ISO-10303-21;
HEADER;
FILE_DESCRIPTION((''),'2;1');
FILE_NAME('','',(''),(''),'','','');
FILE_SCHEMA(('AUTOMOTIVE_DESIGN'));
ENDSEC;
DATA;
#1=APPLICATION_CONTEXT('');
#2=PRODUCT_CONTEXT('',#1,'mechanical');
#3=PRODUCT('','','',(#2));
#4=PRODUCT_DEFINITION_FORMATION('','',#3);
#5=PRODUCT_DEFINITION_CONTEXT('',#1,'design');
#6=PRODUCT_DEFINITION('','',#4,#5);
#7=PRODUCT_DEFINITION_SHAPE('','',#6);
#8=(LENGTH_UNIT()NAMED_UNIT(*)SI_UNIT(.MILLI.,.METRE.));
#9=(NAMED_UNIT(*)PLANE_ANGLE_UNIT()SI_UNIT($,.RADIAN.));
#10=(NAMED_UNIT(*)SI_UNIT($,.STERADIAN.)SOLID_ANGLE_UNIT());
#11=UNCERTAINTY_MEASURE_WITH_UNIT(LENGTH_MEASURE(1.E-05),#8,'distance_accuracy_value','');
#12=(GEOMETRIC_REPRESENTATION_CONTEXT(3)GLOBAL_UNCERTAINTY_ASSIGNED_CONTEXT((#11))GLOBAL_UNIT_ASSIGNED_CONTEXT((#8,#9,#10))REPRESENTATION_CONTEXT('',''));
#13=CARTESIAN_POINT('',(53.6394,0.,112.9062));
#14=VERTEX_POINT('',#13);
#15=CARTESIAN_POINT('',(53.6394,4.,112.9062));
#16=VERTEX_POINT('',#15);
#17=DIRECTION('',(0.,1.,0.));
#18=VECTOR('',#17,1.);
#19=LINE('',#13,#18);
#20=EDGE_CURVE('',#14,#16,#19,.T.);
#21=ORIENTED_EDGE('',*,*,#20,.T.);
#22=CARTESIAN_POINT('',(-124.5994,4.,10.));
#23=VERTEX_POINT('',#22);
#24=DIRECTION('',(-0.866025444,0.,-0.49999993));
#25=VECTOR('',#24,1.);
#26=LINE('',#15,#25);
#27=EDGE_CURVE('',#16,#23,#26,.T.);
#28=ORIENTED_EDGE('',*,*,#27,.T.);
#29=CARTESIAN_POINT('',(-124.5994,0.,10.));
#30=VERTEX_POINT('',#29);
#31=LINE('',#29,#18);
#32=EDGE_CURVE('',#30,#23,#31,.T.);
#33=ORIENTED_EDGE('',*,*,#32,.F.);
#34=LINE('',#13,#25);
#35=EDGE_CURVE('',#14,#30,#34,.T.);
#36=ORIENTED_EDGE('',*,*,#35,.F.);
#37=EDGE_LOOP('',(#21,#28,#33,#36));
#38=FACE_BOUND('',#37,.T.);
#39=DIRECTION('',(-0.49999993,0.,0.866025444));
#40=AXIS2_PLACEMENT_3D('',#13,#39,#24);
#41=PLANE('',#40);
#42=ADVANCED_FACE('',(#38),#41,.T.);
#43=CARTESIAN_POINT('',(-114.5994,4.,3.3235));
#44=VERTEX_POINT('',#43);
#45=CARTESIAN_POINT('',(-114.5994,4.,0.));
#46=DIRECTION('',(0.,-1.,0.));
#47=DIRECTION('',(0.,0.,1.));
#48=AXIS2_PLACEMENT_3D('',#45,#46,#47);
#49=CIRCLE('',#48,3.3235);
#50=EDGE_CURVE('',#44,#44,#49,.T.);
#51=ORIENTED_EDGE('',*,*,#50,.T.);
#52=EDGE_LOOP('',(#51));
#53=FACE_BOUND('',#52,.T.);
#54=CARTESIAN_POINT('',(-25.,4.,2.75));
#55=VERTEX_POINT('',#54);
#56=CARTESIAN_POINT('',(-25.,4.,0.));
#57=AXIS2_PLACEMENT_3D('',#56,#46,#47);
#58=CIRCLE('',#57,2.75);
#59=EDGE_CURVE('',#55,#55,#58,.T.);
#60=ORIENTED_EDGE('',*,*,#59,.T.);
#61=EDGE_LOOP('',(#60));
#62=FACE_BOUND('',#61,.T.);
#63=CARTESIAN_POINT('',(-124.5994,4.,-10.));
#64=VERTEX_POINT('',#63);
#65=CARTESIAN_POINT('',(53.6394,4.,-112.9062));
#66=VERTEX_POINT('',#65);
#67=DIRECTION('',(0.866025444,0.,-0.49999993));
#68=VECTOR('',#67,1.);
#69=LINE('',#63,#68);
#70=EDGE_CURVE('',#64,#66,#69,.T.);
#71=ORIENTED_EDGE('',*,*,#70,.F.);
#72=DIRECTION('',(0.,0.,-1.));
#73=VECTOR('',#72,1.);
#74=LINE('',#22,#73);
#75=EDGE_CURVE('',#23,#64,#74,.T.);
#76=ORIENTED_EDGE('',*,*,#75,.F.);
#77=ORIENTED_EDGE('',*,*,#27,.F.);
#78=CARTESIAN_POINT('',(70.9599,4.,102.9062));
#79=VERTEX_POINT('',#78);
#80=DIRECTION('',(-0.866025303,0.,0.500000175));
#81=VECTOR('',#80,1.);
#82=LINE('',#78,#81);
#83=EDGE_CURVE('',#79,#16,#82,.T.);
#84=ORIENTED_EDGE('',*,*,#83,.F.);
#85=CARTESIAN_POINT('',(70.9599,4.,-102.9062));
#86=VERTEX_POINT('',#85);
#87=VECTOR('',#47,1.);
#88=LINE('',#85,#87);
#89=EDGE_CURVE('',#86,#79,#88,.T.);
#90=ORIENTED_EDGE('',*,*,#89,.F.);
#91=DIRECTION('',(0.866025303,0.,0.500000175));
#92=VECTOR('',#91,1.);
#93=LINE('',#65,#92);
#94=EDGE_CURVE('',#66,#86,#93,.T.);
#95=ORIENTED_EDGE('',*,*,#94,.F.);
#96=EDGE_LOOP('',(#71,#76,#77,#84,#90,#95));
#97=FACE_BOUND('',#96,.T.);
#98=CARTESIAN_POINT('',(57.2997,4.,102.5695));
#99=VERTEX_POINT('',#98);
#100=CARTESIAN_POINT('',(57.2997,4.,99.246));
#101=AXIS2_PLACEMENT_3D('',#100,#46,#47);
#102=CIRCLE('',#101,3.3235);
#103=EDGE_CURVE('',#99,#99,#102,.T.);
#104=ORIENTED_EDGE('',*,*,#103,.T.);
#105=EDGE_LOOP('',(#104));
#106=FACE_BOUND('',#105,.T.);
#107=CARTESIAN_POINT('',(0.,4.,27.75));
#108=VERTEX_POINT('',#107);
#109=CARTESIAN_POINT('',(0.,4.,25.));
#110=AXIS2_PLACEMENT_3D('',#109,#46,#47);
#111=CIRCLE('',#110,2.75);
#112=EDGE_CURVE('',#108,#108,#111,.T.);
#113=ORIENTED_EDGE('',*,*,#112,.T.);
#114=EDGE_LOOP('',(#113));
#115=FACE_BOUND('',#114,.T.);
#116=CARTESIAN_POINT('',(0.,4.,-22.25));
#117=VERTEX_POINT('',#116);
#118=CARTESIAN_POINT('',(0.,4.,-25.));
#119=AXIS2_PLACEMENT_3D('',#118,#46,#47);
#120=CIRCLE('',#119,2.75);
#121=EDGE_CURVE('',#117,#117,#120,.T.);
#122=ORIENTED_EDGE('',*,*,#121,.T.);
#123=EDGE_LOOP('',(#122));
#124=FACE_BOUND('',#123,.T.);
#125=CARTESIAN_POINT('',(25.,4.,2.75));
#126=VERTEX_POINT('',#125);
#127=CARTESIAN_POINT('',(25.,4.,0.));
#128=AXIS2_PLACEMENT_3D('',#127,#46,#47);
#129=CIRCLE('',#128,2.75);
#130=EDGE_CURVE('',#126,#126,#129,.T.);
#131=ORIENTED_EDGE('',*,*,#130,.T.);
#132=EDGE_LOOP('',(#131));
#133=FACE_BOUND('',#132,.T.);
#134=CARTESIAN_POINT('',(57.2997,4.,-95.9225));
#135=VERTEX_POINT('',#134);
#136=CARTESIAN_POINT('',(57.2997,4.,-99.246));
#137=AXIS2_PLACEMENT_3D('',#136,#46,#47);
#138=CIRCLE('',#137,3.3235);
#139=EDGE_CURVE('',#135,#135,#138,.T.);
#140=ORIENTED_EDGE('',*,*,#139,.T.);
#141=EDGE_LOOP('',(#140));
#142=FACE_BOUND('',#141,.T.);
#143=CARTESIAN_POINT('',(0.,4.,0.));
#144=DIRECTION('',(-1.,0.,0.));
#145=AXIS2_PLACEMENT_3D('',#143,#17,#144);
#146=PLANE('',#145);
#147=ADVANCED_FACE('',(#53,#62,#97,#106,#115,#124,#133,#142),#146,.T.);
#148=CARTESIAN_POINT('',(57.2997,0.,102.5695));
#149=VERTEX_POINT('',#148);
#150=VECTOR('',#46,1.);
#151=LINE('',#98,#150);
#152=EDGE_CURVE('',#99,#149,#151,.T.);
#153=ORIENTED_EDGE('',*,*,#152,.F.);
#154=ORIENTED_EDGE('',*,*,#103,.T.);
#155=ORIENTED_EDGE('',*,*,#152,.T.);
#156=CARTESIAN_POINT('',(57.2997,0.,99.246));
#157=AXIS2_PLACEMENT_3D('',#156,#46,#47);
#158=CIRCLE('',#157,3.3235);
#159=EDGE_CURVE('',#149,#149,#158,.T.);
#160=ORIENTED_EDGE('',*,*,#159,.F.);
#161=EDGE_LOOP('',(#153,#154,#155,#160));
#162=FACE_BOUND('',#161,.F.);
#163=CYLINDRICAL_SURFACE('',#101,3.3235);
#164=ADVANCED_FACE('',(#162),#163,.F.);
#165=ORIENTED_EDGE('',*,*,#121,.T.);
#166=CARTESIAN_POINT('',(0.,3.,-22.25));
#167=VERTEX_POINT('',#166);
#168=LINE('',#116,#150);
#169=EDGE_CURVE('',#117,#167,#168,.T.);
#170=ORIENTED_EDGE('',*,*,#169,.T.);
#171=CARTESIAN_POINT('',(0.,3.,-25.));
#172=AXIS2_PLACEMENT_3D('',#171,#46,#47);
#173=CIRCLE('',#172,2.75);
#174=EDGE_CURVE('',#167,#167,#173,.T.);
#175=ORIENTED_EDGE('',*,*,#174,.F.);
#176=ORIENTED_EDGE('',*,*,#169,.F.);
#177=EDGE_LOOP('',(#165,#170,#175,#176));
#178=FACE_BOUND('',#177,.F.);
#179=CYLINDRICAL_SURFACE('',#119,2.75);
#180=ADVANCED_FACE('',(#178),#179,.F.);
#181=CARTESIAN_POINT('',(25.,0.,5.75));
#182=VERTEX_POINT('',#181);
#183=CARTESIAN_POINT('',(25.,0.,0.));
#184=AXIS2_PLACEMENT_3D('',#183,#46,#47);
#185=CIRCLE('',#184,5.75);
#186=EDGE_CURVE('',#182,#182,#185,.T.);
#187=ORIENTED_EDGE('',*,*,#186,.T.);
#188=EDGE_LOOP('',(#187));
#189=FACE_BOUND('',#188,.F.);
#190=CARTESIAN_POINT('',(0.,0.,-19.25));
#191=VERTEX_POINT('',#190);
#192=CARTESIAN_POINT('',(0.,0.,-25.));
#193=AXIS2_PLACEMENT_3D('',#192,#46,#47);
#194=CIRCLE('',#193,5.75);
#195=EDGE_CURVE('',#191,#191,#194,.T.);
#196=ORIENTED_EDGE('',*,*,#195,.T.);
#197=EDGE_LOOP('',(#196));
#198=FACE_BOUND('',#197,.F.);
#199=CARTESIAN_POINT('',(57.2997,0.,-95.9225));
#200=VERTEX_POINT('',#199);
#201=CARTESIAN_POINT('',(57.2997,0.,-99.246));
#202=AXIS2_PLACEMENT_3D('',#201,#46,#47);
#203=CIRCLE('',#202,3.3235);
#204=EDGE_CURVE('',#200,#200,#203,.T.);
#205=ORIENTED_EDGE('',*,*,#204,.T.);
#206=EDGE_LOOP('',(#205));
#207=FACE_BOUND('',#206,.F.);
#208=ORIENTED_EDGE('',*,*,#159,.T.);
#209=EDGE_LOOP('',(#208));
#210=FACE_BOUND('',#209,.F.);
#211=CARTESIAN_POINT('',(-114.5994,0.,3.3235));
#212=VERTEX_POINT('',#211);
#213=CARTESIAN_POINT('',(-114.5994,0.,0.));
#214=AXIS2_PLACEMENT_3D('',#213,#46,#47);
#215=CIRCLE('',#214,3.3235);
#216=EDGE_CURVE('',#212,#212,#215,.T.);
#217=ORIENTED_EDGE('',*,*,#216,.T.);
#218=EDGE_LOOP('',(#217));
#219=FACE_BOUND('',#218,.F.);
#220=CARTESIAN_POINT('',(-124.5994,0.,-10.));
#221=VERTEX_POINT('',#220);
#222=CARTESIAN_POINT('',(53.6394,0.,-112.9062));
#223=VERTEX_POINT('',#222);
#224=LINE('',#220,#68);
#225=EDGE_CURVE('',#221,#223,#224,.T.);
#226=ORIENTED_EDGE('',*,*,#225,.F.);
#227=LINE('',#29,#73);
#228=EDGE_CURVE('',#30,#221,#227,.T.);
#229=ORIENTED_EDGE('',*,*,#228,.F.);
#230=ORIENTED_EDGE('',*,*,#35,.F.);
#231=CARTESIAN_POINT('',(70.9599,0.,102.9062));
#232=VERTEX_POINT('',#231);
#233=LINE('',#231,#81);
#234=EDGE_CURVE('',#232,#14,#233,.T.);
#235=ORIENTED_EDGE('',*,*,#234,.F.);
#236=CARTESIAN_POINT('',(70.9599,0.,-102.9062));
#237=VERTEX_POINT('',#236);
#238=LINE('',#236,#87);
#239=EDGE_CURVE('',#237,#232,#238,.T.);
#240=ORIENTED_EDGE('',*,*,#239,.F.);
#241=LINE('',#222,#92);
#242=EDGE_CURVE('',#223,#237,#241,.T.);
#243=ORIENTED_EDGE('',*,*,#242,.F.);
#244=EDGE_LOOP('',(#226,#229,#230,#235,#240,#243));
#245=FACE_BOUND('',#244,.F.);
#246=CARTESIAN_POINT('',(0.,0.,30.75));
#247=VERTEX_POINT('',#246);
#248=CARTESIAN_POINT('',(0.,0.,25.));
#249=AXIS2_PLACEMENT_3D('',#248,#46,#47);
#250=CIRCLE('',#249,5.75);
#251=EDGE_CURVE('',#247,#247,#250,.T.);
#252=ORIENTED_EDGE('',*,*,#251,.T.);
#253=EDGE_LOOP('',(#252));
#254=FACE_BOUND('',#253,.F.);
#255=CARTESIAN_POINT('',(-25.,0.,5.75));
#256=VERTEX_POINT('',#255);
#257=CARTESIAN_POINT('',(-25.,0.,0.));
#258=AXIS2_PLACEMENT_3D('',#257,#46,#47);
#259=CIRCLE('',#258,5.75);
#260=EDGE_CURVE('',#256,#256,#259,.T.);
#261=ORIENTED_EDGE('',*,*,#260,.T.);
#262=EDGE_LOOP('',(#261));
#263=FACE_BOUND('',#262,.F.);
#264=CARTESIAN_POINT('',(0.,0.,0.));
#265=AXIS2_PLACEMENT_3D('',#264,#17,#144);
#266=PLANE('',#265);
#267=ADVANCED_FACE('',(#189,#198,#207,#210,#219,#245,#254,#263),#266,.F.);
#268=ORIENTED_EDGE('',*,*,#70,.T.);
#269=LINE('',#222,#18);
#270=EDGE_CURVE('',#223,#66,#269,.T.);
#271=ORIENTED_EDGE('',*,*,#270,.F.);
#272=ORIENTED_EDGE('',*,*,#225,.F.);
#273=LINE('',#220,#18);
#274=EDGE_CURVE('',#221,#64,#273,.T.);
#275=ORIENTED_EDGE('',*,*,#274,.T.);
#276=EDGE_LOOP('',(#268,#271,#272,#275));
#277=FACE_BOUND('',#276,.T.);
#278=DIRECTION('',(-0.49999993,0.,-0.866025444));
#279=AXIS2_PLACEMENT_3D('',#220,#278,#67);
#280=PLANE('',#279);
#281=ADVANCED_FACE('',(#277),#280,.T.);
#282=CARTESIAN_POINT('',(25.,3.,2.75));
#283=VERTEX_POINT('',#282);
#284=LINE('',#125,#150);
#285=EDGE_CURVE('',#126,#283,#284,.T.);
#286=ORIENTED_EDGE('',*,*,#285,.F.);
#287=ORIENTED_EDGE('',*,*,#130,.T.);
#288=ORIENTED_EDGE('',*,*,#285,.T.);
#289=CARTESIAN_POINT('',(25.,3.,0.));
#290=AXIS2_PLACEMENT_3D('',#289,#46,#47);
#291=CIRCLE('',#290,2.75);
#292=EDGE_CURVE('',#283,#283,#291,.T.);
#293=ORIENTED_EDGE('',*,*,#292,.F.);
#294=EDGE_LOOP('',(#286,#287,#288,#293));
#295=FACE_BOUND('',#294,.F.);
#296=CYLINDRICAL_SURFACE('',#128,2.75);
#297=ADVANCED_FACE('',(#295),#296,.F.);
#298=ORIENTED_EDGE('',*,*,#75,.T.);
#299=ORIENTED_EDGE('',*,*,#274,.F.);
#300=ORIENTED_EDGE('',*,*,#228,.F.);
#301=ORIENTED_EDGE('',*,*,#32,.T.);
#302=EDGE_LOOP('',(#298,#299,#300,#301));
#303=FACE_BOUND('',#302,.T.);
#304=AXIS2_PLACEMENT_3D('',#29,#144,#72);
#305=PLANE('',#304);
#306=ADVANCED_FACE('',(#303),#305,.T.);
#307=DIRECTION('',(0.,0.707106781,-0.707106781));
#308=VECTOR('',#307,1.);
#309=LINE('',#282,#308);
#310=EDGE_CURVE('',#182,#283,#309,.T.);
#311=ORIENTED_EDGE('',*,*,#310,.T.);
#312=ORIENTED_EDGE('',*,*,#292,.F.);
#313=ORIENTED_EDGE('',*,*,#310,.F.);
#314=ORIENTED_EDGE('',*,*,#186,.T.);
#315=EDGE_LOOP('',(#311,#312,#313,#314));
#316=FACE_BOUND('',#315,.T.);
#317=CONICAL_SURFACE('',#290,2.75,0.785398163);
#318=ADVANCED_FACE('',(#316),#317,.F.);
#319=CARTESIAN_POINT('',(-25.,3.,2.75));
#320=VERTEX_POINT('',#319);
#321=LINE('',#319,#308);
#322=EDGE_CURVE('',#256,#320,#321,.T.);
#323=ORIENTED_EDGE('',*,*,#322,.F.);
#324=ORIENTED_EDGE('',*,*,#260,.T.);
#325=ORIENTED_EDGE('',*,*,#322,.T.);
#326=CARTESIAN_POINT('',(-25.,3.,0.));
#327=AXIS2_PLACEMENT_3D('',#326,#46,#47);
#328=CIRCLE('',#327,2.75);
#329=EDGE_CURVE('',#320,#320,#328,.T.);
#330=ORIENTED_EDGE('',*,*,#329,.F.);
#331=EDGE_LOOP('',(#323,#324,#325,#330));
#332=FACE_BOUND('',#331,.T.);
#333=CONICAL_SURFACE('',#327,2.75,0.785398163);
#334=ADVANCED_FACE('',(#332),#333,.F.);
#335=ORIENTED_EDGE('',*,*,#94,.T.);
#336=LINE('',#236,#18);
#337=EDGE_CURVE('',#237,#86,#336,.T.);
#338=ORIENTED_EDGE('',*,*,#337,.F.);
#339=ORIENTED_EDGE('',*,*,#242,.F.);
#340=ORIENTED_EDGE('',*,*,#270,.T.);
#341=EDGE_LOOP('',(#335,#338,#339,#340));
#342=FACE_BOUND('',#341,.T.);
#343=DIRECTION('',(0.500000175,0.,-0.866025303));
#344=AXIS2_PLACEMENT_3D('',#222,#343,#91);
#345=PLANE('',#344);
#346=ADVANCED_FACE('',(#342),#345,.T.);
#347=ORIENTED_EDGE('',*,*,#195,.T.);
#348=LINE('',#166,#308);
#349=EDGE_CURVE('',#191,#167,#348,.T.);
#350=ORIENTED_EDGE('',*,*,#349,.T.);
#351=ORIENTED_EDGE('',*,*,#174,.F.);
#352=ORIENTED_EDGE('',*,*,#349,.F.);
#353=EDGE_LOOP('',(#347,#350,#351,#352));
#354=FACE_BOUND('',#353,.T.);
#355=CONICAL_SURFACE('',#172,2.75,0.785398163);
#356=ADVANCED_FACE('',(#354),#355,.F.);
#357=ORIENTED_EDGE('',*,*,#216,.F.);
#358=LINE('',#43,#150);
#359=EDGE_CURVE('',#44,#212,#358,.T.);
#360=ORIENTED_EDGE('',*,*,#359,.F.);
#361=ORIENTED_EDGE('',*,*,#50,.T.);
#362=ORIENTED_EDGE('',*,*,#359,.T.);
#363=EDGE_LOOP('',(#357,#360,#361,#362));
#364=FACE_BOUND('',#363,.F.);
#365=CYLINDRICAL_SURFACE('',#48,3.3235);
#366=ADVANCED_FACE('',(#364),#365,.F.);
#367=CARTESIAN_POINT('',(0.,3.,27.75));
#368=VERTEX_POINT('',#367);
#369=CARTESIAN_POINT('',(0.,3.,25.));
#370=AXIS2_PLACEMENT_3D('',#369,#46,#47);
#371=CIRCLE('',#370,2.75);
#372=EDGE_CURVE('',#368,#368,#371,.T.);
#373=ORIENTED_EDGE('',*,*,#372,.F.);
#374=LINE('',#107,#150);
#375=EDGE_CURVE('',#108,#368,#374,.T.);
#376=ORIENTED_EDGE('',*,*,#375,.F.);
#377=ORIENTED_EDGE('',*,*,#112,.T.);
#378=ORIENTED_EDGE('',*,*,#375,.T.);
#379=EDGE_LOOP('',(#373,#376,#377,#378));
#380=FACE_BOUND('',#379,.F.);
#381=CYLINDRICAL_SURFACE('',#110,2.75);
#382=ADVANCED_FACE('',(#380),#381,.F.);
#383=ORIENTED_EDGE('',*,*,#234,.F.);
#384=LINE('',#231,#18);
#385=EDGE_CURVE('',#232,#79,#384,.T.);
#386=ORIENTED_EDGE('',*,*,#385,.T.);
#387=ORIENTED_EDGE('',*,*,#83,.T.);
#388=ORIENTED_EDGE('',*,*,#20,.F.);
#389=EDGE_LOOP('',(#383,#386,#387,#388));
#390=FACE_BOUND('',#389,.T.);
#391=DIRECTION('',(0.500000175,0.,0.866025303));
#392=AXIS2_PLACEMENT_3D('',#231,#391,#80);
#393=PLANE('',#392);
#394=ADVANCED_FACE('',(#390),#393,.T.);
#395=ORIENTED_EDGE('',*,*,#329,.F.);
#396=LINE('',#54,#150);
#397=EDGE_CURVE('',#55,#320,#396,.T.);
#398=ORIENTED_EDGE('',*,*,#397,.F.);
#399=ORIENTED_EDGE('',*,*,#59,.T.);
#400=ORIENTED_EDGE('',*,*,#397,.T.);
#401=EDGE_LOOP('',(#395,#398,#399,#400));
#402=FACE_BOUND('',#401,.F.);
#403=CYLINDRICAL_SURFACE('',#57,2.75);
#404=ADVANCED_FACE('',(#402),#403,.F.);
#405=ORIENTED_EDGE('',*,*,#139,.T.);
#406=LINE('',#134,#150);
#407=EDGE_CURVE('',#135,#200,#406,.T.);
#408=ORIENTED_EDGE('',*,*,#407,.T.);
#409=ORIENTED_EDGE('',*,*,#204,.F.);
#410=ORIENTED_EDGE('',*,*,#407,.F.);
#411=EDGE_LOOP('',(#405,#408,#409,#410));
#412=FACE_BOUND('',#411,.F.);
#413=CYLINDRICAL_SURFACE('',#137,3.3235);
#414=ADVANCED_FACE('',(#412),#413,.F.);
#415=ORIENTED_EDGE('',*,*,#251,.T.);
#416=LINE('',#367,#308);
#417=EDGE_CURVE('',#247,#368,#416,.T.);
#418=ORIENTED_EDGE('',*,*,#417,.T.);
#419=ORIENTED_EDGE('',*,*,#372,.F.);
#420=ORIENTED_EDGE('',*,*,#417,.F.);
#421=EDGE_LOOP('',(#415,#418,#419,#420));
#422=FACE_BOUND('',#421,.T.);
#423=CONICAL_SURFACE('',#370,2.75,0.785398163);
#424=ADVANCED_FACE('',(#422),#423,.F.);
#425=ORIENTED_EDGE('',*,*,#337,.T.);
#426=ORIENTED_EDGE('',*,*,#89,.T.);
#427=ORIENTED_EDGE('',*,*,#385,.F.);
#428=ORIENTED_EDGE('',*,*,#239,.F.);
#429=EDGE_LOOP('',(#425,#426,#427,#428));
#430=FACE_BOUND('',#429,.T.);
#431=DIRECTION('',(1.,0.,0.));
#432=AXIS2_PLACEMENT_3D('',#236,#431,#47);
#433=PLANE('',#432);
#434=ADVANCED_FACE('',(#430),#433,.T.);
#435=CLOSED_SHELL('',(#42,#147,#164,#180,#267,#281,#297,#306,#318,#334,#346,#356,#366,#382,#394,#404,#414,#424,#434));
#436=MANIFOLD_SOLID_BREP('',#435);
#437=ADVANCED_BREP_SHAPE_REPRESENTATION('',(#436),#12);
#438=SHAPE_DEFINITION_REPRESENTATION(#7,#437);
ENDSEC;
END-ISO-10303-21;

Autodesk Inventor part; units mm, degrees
ref_plane "YZ Plane" through (0, 0, 0) normal (1, 0, 0) x (0, 1, 0)
ref_plane "XZ Plane" through (0, 0, 0) normal (0, 1, 0) x (-1, 0, 0)
ref_plane "XY Plane" through (0, 0, 0) normal (0, 0, 1) x (1, 0, 0)
sketch "Sketch2" plane through (0, 4, 0) normal (0, 1, 0) x (1, 0, 0)
  circle A0 centre (0, 0) radius 40 construction
  line L0 (15.1987, 37) -> (-15.1987, 37)
  line L1 (-15.1987, 37) -> (-15.1987, 57.3146)
  line L2 (0.2732, 67) -> (10.6706, 67)
  line L3 (15.1987, 57.3127) -> (15.1987, 37)
  line L4 (15.1987, -37) -> (-15.1987, -37)
  line L5 (-15.1987, -37) -> (-15.1987, -57.3146)
  line L6 (0.2732, -67) -> (10.6706, -67)
  line L7 (15.1987, -57.3127) -> (15.1987, -37)
  line L8 (-15.1987, 57.3146) -> (-15.1987, 67)
  line L9 (-15.1987, 67) -> (0.2732, 67)
  line L10 (10.6706, 67) -> (15.1987, 67)
  line L11 (15.1987, 67) -> (15.1987, 57.3127)
  line L12 (0.2732, -67) -> (-15.1987, -67)
  line L13 (-15.1987, -57.3146) -> (-15.1987, -67)
  line L14 (10.6706, -67) -> (15.1987, -67)
  line L15 (15.1987, -67) -> (15.1987, -57.3127)
  circle A1 centre (0, 0) radius 70.9599 construction
  line L16 (-124.5994, 10) -> (53.6394, 112.9062) projected
  line L17 (70.9599, 102.9062) -> (70.9599, -102.9062) projected
  point P0 (0, 0)
  dimension "d9" = 80
  dimension "d10" = 74
  dimension "d11" = 30
sketch "Sketch4" plane through (-13.1987, 4, 37) normal (0, 0, 1) x (1, 0, 0)
  circle A0 centre (13.1987, 6) radius 2.75
  circle A1 centre (13.1987, 18) radius 2.75
  line L0 (66.8381, -2) -> (-111.4007, -2) projected
  line L1 (0, 0) -> (0, 18) projected
  line L2 (26.3974, 18) -> (26.3974, 0) projected
  point P0 (13.1987, -4)
  dimension "d35" = 5.5
  dimension "d36" = 12
  dimension "d37" = 8
  dimension "d39" = 26.3974
  dimension "d40" = 13.1987
sketch "Sketch1" plane through (0, 0, 0) normal (0, 1, 0) x (-1, 0, 0)
  line L0 (124.5994, -10) -> (-53.6394, -112.9062)
  line L1 (-70.9599, -102.9062) -> (-70.9599, 102.9062)
  line L2 (-53.6394, 112.9062) -> (124.5994, 10)
  circle A0 centre (0, 0) radius 70.9599 construction
  line L3 (124.5994, 10) -> (124.5994, -10)
  line L4 (-53.6394, -112.9062) -> (-70.9599, -102.9062)
  line L5 (-70.9599, 102.9062) -> (-53.6394, 112.9062)
  circle A1 centre (0, 0) radius 125 construction
  point P0 (141.9199, 0)
  point P1 (-70.9599, -122.9062)
  point P2 (-70.9599, 122.9062)
  dimension "d7" = 250
  dimension "d1" = 20
  dimension "d2" = 20
  dimension "d3" = 20
  dimension "d4" = 20
  dimension "d5" = 20
  dimension "d6" = 20
extrude "Plate1" add sketch "Sketch1" along normal blind 4
sketch "Sketch5" plane through (0, 4, 0) normal (0, 1, 0) x (1, 0, 0)
  circle A0 centre (0, 0) radius 25 construction
  point P0 (-25, 0)
  point P1 (0, 25)
  point P2 (25, 0)
  point P3 (0, -25)
  dimension "d43" = 50
hole "Hole1" at (-25, 4, 0) at (0, 4, -25) at (25, 4, 0) at (0, 4, 25) direction (0, -1, 0) diameter 5.5 end through all
chamfer "Chamfer1" distance 3 angle 45 4 edges at (0, 0, -27.75) (25, 0, -2.75) (-25, 0, -2.75) (0, 0, 22.25)
sketch "Sketch6" plane through (0, 4, 0) normal (0, 1, 0) x (1, 0, 0)
  circle A0 centre (0, 0) radius 114.5994 construction
  line L0 (-124.5994, -10) -> (-124.5994, 10) projected
  point P0 (-114.5994, 0)
  point P1 (57.2997, -99.246)
  point P2 (57.2997, 99.246)
  dimension "d54" = 10
  dimension "d57" = 360
hole "Hole2" at (57.2997, 4, -99.246) at (57.2997, 4, 99.246) at (-114.5994, 4, 0) direction (0, -1, 0) diameter 6.647 end through all thread size "M8x1.25" class "6H" standard "ISO Metric profile"
sketch "Sketch3" plane through (15.1987, 0, 35) normal (0, 0, 1) x (1, 0, 0)
  line L0 (-28.3974, 0) -> (-2, 0)
  line L1 (-2, 0) -> (-2, 30)
  line L2 (-2, 30) -> (-28.3974, 30)
  line L3 (-28.3974, 30) -> (-28.3974, 0)
equation "\"d49\" = Thickness"
equation "\"d40\" = 0.5 * d39"
equation "\"d8\" = Thickness"
equation "\"d2\" = d1"
equation "\"d3\" = d1"
equation "\"d4\" = d3"
equation "\"d5\" = d1"
equation "\"d6\" = d5"
equation "\"BendRadius\" = Thickness"
equation "\"BendReliefWidth\" = Thickness"
equation "\"BendReliefDepth\" = 0.5 * Thickness"
equation "\"CornerReliefSize\" = 4 * Thickness"
equation "\"MinimumRemnant\" = 2 * Thickness"
equation "\"TransitionRadius\" = BendRadius"
equation "\"JacobiRadiusSize\" = BendRadius"
equation "\"GapSize\" = Thickness"
equation "\"Thickness\" = 4"
properties part number "BasePlate" material "Stainless Steel"
